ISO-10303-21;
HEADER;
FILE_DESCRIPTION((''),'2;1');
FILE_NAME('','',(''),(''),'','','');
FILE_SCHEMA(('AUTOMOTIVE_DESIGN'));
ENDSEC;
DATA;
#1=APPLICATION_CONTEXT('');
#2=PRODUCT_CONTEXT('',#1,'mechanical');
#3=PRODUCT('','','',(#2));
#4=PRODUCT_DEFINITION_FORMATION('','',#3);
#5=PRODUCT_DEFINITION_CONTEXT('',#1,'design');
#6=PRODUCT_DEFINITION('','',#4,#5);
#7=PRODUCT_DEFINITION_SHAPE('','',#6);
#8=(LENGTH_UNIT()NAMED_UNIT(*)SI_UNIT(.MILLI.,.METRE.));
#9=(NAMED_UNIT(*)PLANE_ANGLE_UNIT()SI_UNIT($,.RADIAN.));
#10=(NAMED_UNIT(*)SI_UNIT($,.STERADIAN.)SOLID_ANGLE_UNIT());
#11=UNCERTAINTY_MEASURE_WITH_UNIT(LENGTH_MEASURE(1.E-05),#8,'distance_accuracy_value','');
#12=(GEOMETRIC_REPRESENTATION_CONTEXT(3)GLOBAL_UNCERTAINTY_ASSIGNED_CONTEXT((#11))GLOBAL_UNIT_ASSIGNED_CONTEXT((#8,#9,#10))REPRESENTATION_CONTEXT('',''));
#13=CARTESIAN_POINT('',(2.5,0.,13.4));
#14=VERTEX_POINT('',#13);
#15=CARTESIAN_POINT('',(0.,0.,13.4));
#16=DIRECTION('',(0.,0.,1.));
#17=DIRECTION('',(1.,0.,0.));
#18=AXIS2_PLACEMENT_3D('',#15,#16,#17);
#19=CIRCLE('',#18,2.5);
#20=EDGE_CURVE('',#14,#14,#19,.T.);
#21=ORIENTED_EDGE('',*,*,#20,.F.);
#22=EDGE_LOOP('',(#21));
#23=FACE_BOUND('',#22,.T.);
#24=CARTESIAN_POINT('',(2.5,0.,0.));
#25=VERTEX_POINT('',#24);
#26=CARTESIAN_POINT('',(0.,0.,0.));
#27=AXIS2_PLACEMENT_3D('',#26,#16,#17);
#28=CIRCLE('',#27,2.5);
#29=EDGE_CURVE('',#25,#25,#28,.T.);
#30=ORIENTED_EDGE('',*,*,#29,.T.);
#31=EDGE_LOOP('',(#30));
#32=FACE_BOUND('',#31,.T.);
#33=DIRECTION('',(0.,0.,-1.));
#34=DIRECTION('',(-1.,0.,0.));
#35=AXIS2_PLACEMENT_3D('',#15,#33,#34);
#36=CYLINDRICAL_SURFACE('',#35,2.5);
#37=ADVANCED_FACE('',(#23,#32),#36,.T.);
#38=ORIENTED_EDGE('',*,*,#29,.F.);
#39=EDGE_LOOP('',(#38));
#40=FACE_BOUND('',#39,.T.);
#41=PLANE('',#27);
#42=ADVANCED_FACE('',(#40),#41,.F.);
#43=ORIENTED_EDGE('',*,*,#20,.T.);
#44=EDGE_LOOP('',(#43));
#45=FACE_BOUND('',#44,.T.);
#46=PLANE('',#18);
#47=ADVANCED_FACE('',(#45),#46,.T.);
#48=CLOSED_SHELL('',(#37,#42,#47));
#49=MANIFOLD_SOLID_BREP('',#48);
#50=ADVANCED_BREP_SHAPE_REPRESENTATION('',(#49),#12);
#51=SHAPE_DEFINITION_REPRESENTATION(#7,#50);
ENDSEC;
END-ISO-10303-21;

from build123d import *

# Parameters (mm, degrees)
BODY_SKETCH_R = 2.5
BODY_DEPTH    = 13.4


with BuildPart() as part:
    # Body sketch → Body (new body)
    with BuildSketch(Plane.XY):
        Circle(BODY_SKETCH_R)
    extrude(amount=BODY_DEPTH)


solid = part.part
